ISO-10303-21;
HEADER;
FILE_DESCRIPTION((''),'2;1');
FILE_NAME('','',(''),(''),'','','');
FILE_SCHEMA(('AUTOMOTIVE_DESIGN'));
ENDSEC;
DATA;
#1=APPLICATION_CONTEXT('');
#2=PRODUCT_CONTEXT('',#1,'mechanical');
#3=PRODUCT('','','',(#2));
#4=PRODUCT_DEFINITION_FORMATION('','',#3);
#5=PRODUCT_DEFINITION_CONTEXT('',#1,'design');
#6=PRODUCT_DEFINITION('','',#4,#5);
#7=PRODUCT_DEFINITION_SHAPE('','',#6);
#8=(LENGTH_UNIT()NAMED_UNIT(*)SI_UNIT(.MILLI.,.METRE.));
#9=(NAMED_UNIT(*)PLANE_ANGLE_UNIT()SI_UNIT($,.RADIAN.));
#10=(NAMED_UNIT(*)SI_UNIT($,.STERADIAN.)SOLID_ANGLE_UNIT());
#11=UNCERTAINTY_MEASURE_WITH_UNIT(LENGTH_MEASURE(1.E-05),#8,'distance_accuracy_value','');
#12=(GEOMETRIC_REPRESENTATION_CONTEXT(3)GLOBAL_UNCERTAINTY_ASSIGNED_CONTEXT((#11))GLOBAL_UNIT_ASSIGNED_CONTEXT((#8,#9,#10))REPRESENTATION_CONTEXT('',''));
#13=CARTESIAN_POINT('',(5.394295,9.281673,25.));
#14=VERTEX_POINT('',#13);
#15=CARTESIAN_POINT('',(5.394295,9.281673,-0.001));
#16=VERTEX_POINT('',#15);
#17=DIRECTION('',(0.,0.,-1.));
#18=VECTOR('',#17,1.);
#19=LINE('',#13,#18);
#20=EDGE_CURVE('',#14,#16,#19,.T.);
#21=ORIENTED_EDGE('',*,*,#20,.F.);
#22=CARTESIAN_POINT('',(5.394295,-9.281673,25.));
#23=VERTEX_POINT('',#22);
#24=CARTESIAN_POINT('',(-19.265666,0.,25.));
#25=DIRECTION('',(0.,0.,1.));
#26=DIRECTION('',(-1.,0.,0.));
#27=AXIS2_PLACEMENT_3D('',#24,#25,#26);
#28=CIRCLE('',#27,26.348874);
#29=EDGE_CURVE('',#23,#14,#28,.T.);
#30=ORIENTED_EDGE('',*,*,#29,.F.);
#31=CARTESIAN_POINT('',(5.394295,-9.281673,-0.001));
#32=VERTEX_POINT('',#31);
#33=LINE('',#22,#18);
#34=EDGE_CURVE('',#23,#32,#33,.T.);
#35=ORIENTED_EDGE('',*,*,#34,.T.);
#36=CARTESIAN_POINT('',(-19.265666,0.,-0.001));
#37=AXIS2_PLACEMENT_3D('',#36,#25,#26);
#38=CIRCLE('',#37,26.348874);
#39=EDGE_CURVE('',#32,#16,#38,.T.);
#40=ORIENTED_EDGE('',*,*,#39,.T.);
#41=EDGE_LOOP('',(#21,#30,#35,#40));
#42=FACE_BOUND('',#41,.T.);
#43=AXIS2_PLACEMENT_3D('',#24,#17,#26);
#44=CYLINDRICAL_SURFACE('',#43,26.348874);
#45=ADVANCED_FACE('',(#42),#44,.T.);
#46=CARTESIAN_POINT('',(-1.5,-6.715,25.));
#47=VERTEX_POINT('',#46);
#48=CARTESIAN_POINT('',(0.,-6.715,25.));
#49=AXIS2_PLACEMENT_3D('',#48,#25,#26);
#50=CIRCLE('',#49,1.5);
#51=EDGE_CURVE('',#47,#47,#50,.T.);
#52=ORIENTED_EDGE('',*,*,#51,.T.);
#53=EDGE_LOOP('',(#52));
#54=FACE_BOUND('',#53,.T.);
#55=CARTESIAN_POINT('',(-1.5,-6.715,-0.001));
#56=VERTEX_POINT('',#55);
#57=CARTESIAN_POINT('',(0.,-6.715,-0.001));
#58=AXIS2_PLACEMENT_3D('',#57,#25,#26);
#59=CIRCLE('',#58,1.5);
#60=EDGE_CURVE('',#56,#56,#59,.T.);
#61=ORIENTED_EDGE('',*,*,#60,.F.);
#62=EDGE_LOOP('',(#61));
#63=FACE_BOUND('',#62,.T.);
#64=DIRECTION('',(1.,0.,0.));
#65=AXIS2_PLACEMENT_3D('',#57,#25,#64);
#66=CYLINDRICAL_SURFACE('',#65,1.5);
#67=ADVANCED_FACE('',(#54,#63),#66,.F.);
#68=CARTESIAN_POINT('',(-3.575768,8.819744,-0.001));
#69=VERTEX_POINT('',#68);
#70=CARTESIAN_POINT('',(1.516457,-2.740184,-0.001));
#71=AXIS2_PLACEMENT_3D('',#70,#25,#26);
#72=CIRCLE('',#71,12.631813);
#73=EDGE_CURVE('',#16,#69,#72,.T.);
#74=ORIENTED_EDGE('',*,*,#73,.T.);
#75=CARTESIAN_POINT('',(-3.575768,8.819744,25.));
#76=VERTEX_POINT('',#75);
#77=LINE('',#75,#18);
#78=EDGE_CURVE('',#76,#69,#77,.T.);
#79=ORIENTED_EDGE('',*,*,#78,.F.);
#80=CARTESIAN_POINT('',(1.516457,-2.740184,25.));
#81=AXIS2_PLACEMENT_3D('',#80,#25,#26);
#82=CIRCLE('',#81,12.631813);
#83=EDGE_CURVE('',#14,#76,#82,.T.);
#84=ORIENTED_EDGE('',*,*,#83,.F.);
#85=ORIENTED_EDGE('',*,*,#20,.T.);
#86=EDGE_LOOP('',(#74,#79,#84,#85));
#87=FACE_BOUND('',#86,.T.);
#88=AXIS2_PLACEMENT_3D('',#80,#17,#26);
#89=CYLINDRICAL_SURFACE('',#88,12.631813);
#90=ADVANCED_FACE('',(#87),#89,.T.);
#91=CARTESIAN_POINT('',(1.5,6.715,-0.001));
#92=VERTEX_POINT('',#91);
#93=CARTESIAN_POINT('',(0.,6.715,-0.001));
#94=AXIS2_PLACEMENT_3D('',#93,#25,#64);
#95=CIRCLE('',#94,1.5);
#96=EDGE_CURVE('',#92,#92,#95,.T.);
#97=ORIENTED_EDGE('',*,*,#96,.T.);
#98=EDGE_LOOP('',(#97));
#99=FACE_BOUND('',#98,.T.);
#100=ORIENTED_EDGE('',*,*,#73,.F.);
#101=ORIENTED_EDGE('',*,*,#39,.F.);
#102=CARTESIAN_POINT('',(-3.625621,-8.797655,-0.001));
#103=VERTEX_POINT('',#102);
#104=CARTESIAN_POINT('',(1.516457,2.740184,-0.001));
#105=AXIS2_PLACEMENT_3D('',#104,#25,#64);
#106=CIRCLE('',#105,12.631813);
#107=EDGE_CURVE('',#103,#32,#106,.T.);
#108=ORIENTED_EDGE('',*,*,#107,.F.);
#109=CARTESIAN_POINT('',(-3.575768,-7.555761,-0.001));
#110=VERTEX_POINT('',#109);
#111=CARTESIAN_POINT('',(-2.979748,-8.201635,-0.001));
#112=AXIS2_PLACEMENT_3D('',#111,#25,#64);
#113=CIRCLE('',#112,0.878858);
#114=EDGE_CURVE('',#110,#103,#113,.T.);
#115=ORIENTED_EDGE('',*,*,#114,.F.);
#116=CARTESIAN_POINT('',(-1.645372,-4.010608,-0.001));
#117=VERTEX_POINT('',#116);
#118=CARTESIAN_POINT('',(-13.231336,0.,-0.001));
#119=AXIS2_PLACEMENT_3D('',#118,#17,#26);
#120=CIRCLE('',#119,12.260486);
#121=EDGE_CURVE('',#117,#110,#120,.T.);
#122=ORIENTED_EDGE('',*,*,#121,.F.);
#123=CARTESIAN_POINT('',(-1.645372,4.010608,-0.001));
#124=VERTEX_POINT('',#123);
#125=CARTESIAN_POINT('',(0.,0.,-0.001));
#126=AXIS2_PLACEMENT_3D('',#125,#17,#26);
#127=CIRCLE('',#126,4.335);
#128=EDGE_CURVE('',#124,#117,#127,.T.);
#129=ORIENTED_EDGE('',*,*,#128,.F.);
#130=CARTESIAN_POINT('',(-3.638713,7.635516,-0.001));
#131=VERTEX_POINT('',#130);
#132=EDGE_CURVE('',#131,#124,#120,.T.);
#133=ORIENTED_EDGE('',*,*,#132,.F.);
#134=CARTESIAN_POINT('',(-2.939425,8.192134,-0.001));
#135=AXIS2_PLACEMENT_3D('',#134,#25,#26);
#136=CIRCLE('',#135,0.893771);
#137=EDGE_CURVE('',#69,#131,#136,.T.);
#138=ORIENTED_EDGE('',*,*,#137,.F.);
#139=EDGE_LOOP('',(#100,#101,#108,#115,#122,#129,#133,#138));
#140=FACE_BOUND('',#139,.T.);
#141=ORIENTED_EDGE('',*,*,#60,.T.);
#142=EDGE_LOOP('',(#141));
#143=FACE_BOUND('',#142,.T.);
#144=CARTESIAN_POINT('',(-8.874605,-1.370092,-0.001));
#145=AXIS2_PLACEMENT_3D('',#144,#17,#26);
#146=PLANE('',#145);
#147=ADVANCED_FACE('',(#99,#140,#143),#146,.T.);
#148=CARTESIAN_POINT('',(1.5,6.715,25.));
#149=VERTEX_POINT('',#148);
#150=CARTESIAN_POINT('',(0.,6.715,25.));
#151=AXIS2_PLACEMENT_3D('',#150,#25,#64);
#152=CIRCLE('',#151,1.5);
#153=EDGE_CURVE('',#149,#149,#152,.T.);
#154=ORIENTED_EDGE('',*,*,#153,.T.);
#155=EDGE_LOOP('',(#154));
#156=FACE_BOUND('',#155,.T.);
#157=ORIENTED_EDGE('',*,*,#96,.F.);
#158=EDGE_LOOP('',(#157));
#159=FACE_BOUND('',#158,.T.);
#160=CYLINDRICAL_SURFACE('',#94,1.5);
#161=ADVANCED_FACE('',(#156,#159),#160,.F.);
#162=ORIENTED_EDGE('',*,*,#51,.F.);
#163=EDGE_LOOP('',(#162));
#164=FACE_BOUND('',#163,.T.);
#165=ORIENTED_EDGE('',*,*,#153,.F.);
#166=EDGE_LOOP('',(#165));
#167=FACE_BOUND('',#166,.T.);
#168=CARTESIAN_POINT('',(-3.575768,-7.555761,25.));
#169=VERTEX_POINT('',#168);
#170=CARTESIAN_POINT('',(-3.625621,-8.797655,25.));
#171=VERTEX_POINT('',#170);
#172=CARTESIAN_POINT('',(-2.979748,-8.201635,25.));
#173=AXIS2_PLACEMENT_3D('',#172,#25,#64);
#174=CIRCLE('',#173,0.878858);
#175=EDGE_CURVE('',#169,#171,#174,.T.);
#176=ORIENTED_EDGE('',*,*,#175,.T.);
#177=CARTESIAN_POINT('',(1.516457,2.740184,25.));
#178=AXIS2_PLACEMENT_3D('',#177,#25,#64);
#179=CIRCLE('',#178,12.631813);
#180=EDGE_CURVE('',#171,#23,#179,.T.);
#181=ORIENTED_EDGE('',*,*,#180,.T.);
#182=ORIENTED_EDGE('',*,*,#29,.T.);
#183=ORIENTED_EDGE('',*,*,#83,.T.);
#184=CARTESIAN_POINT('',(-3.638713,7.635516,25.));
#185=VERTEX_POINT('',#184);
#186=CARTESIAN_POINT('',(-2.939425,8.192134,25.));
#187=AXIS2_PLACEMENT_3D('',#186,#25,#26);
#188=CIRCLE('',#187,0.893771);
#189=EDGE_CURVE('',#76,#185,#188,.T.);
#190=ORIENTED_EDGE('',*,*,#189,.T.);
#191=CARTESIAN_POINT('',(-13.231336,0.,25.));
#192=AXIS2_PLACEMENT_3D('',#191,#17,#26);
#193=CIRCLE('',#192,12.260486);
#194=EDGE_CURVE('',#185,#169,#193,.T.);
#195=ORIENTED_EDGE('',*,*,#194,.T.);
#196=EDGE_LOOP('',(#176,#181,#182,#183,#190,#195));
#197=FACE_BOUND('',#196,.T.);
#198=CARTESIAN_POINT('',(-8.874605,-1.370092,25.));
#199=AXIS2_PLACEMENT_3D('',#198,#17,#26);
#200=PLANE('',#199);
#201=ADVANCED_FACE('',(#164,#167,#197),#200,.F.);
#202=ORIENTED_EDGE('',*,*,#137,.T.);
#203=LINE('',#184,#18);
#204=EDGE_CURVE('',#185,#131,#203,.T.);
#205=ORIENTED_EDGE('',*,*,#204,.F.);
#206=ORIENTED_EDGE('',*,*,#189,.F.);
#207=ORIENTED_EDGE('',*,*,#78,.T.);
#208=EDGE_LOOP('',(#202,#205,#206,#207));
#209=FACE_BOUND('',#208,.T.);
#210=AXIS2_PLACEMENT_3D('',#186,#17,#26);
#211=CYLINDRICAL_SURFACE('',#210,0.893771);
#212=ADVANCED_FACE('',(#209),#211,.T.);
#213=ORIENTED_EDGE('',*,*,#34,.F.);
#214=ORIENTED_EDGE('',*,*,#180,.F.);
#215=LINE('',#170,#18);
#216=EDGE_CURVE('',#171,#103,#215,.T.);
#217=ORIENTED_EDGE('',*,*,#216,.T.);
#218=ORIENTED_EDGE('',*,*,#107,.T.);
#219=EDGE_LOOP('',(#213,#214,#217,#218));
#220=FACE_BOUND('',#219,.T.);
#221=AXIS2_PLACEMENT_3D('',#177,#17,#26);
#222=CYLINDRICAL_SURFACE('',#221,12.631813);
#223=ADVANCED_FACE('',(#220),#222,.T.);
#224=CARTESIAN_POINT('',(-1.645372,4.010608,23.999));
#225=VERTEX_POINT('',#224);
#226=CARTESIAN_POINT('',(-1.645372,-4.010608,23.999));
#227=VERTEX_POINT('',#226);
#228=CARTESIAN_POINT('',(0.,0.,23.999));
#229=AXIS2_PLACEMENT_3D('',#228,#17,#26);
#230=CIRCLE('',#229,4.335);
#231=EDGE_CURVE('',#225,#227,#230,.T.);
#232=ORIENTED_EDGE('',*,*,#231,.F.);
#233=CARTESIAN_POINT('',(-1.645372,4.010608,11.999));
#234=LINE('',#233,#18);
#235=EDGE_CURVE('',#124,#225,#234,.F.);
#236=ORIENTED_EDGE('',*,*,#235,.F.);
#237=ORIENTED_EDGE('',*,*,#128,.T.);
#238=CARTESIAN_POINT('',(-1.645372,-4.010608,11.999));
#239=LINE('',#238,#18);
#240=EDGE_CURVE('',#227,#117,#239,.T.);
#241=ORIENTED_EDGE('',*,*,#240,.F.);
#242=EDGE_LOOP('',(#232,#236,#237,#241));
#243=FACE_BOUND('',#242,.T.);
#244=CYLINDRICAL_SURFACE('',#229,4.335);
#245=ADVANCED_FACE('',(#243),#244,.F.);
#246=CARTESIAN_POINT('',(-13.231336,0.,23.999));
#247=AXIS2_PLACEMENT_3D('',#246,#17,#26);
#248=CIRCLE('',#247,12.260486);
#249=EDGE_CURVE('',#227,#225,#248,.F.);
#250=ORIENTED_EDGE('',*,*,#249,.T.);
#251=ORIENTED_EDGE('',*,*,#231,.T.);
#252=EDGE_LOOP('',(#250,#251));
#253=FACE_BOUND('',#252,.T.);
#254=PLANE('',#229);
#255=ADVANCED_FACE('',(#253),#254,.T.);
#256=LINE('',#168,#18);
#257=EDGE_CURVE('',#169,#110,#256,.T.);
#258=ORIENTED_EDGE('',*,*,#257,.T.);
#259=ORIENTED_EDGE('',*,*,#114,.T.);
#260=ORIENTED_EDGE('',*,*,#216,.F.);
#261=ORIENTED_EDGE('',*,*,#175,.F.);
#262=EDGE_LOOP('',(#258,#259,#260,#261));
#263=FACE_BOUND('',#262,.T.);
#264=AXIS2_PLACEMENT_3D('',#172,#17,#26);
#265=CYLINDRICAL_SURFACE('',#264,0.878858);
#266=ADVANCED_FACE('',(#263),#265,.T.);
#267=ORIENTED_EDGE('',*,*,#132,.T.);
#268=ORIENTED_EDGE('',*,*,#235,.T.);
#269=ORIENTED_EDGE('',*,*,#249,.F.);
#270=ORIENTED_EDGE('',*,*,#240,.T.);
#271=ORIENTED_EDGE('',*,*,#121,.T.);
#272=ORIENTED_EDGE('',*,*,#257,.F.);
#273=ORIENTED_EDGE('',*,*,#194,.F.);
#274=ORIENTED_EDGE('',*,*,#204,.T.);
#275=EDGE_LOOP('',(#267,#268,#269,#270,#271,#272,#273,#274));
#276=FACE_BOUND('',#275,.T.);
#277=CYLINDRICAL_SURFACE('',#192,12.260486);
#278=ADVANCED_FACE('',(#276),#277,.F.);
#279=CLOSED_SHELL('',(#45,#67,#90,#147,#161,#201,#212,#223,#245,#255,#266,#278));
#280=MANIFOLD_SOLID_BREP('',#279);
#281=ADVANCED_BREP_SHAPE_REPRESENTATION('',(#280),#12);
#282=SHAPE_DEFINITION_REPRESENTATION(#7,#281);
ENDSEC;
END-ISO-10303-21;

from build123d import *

# Parameters (mm, degrees)
EXTRUDE1_DEPTH      = 25
EXTRUDE1_DEPTH_BACK = 0.001
SKETCH3_R           = 1.5
CUT_EXTRUDE1_DEPTH  = 28.804066937
SKETCH5_R           = 4.335
CUT_EXTRUDE2_DEPTH  = 24


with BuildPart() as part:
    # Sketch1 → Extrude1 (new, two sides: drawn at the far end of the back side and taken through both)
    with BuildSketch(Plane.XY.offset(-EXTRUDE1_DEPTH_BACK)):
        with BuildLine():
            ThreePointArc((5.394294709, 9.281673418), (7.083207262, 0), (5.394294709, -9.281673418))
            ThreePointArc((5.394294709, -9.281673418), (0.839593343, -9.873480825), (-3.625620963, -8.797654747))
            ThreePointArc((-3.625620963, -8.797654747), (-3.857898862, -8.166383103), (-3.57576768, -7.555761366))
            ThreePointArc((-3.57576768, -7.555761366), (-0.970954643, 0.05080099), (-3.638712866, 7.635516404))
            ThreePointArc((-3.638712866, 7.635516404), (-3.831936153, 8.239573474), (-3.57576768, 8.819744049))
            ThreePointArc((-3.57576768, 8.819744049), (0.866819678, 9.874912356), (5.394294709, 9.281673418))
        make_face()
    extrude(amount=EXTRUDE1_DEPTH + EXTRUDE1_DEPTH_BACK)

    # Sketch3 → Cut-Extrude1 (cut, through all)
    with BuildSketch(Plane.XY.offset(25)):
        with Locations((0, 6.715)):
            Circle(SKETCH3_R)
        with Locations(Location((0, -6.715, 0), (0, 0, 180))):
            Circle(SKETCH3_R)
    extrude(amount=-CUT_EXTRUDE1_DEPTH, mode=Mode.SUBTRACT)

    # Sketch5 → Cut-Extrude2 (cut)
    with BuildSketch(Plane(origin=(0, 0, -0.001), x_dir=(-1, 0, 0), z_dir=(0, 0, -1))):
        Circle(SKETCH5_R)
    extrude(amount=-CUT_EXTRUDE2_DEPTH, mode=Mode.SUBTRACT)


solid = part.part
